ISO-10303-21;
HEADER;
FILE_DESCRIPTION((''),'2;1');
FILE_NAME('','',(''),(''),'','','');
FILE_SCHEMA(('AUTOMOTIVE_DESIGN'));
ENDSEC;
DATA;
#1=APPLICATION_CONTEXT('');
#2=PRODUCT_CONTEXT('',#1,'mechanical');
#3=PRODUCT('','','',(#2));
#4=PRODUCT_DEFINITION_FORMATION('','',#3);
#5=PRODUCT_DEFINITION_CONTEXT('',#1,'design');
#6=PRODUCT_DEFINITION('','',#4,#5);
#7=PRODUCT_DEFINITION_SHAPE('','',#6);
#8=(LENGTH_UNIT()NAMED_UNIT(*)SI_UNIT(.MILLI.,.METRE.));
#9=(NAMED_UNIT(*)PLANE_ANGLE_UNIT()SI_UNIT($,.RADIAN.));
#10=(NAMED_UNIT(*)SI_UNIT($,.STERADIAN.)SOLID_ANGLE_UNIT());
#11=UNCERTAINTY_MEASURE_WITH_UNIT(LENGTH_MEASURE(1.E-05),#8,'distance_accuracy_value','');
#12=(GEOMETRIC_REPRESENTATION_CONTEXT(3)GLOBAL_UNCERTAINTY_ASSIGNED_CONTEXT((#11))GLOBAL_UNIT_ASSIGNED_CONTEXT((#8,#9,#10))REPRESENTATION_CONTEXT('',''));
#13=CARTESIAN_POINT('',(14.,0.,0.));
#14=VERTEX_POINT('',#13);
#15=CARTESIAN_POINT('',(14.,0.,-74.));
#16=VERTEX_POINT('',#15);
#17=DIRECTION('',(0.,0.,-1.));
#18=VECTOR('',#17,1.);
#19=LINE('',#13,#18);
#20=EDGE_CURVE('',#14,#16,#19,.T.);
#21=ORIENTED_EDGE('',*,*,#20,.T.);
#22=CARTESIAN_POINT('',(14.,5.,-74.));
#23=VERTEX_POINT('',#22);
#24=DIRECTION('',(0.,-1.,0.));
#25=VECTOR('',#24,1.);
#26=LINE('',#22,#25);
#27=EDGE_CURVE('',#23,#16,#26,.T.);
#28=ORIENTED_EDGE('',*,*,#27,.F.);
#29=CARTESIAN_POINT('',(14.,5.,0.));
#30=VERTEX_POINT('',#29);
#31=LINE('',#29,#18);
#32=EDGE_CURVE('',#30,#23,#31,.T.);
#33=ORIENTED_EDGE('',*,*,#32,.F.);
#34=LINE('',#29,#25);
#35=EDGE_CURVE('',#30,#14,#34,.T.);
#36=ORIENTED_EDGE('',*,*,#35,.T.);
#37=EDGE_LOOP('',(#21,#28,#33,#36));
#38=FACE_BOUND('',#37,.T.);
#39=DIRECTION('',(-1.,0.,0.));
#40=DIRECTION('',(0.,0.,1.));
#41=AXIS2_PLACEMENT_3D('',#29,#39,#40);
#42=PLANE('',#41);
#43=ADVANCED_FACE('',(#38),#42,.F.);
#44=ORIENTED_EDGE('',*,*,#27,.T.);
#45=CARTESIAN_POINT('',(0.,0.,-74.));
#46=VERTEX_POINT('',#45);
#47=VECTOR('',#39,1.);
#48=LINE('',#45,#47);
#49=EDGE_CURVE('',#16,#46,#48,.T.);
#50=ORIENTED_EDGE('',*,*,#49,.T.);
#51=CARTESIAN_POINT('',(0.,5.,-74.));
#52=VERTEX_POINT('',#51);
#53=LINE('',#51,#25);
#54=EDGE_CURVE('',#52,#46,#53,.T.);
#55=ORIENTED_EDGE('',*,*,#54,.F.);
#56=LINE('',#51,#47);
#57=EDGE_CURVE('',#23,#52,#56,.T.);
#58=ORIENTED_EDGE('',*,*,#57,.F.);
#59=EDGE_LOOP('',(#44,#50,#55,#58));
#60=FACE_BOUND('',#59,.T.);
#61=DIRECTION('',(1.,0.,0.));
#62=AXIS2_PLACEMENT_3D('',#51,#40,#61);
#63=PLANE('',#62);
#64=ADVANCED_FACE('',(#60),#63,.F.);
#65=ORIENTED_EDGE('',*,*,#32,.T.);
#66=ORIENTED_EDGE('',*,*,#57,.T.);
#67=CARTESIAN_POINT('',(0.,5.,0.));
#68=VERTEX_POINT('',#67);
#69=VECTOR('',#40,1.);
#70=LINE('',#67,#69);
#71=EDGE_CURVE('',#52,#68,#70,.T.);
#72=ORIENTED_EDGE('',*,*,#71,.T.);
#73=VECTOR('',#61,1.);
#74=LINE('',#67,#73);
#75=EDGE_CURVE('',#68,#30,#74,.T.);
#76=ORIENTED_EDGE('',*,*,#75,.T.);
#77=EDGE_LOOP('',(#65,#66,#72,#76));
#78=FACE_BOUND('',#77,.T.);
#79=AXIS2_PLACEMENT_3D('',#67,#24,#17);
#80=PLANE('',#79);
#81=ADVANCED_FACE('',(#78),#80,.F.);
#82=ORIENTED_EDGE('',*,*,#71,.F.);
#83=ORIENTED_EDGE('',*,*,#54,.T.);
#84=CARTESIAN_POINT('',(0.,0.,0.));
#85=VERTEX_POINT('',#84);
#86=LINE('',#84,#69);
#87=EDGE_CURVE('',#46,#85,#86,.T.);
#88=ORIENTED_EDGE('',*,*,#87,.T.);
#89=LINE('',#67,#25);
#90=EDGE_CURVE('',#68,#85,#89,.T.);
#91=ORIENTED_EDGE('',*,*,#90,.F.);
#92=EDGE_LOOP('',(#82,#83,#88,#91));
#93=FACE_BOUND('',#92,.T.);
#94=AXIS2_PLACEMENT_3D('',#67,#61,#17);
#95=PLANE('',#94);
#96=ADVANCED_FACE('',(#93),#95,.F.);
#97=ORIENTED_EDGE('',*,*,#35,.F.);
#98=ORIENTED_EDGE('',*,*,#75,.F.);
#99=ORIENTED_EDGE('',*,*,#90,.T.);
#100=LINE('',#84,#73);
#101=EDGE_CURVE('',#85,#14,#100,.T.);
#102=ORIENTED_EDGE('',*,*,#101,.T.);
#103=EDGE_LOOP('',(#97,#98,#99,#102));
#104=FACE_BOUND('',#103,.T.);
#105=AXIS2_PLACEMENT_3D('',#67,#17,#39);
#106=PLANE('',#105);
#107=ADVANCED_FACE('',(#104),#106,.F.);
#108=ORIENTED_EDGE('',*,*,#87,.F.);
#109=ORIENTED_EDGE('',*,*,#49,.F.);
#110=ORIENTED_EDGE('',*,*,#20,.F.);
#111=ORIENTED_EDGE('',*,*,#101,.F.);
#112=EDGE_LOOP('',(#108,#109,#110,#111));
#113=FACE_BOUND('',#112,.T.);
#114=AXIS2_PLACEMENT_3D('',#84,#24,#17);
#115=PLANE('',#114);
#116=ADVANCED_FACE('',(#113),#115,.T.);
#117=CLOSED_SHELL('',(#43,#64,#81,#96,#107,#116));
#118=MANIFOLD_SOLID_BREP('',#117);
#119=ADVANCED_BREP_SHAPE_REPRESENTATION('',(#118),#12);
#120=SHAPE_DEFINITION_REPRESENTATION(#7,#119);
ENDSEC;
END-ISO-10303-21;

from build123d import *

# Parameters (mm, degrees)
SKETCH1_W           = 14
SKETCH1_H           = 74
BOSS_EXTRUDE1_DEPTH = 5


with BuildPart() as part:
    # Sketch1 → Boss-Extrude1 (new body)
    with BuildSketch(Plane(origin=(0, 0, 0), x_dir=(1, 0, 0), z_dir=(0, 1, 0))):
        with Locations((7, 37)):
            Rectangle(SKETCH1_W, SKETCH1_H)
    extrude(amount=BOSS_EXTRUDE1_DEPTH)


solid = part.part
